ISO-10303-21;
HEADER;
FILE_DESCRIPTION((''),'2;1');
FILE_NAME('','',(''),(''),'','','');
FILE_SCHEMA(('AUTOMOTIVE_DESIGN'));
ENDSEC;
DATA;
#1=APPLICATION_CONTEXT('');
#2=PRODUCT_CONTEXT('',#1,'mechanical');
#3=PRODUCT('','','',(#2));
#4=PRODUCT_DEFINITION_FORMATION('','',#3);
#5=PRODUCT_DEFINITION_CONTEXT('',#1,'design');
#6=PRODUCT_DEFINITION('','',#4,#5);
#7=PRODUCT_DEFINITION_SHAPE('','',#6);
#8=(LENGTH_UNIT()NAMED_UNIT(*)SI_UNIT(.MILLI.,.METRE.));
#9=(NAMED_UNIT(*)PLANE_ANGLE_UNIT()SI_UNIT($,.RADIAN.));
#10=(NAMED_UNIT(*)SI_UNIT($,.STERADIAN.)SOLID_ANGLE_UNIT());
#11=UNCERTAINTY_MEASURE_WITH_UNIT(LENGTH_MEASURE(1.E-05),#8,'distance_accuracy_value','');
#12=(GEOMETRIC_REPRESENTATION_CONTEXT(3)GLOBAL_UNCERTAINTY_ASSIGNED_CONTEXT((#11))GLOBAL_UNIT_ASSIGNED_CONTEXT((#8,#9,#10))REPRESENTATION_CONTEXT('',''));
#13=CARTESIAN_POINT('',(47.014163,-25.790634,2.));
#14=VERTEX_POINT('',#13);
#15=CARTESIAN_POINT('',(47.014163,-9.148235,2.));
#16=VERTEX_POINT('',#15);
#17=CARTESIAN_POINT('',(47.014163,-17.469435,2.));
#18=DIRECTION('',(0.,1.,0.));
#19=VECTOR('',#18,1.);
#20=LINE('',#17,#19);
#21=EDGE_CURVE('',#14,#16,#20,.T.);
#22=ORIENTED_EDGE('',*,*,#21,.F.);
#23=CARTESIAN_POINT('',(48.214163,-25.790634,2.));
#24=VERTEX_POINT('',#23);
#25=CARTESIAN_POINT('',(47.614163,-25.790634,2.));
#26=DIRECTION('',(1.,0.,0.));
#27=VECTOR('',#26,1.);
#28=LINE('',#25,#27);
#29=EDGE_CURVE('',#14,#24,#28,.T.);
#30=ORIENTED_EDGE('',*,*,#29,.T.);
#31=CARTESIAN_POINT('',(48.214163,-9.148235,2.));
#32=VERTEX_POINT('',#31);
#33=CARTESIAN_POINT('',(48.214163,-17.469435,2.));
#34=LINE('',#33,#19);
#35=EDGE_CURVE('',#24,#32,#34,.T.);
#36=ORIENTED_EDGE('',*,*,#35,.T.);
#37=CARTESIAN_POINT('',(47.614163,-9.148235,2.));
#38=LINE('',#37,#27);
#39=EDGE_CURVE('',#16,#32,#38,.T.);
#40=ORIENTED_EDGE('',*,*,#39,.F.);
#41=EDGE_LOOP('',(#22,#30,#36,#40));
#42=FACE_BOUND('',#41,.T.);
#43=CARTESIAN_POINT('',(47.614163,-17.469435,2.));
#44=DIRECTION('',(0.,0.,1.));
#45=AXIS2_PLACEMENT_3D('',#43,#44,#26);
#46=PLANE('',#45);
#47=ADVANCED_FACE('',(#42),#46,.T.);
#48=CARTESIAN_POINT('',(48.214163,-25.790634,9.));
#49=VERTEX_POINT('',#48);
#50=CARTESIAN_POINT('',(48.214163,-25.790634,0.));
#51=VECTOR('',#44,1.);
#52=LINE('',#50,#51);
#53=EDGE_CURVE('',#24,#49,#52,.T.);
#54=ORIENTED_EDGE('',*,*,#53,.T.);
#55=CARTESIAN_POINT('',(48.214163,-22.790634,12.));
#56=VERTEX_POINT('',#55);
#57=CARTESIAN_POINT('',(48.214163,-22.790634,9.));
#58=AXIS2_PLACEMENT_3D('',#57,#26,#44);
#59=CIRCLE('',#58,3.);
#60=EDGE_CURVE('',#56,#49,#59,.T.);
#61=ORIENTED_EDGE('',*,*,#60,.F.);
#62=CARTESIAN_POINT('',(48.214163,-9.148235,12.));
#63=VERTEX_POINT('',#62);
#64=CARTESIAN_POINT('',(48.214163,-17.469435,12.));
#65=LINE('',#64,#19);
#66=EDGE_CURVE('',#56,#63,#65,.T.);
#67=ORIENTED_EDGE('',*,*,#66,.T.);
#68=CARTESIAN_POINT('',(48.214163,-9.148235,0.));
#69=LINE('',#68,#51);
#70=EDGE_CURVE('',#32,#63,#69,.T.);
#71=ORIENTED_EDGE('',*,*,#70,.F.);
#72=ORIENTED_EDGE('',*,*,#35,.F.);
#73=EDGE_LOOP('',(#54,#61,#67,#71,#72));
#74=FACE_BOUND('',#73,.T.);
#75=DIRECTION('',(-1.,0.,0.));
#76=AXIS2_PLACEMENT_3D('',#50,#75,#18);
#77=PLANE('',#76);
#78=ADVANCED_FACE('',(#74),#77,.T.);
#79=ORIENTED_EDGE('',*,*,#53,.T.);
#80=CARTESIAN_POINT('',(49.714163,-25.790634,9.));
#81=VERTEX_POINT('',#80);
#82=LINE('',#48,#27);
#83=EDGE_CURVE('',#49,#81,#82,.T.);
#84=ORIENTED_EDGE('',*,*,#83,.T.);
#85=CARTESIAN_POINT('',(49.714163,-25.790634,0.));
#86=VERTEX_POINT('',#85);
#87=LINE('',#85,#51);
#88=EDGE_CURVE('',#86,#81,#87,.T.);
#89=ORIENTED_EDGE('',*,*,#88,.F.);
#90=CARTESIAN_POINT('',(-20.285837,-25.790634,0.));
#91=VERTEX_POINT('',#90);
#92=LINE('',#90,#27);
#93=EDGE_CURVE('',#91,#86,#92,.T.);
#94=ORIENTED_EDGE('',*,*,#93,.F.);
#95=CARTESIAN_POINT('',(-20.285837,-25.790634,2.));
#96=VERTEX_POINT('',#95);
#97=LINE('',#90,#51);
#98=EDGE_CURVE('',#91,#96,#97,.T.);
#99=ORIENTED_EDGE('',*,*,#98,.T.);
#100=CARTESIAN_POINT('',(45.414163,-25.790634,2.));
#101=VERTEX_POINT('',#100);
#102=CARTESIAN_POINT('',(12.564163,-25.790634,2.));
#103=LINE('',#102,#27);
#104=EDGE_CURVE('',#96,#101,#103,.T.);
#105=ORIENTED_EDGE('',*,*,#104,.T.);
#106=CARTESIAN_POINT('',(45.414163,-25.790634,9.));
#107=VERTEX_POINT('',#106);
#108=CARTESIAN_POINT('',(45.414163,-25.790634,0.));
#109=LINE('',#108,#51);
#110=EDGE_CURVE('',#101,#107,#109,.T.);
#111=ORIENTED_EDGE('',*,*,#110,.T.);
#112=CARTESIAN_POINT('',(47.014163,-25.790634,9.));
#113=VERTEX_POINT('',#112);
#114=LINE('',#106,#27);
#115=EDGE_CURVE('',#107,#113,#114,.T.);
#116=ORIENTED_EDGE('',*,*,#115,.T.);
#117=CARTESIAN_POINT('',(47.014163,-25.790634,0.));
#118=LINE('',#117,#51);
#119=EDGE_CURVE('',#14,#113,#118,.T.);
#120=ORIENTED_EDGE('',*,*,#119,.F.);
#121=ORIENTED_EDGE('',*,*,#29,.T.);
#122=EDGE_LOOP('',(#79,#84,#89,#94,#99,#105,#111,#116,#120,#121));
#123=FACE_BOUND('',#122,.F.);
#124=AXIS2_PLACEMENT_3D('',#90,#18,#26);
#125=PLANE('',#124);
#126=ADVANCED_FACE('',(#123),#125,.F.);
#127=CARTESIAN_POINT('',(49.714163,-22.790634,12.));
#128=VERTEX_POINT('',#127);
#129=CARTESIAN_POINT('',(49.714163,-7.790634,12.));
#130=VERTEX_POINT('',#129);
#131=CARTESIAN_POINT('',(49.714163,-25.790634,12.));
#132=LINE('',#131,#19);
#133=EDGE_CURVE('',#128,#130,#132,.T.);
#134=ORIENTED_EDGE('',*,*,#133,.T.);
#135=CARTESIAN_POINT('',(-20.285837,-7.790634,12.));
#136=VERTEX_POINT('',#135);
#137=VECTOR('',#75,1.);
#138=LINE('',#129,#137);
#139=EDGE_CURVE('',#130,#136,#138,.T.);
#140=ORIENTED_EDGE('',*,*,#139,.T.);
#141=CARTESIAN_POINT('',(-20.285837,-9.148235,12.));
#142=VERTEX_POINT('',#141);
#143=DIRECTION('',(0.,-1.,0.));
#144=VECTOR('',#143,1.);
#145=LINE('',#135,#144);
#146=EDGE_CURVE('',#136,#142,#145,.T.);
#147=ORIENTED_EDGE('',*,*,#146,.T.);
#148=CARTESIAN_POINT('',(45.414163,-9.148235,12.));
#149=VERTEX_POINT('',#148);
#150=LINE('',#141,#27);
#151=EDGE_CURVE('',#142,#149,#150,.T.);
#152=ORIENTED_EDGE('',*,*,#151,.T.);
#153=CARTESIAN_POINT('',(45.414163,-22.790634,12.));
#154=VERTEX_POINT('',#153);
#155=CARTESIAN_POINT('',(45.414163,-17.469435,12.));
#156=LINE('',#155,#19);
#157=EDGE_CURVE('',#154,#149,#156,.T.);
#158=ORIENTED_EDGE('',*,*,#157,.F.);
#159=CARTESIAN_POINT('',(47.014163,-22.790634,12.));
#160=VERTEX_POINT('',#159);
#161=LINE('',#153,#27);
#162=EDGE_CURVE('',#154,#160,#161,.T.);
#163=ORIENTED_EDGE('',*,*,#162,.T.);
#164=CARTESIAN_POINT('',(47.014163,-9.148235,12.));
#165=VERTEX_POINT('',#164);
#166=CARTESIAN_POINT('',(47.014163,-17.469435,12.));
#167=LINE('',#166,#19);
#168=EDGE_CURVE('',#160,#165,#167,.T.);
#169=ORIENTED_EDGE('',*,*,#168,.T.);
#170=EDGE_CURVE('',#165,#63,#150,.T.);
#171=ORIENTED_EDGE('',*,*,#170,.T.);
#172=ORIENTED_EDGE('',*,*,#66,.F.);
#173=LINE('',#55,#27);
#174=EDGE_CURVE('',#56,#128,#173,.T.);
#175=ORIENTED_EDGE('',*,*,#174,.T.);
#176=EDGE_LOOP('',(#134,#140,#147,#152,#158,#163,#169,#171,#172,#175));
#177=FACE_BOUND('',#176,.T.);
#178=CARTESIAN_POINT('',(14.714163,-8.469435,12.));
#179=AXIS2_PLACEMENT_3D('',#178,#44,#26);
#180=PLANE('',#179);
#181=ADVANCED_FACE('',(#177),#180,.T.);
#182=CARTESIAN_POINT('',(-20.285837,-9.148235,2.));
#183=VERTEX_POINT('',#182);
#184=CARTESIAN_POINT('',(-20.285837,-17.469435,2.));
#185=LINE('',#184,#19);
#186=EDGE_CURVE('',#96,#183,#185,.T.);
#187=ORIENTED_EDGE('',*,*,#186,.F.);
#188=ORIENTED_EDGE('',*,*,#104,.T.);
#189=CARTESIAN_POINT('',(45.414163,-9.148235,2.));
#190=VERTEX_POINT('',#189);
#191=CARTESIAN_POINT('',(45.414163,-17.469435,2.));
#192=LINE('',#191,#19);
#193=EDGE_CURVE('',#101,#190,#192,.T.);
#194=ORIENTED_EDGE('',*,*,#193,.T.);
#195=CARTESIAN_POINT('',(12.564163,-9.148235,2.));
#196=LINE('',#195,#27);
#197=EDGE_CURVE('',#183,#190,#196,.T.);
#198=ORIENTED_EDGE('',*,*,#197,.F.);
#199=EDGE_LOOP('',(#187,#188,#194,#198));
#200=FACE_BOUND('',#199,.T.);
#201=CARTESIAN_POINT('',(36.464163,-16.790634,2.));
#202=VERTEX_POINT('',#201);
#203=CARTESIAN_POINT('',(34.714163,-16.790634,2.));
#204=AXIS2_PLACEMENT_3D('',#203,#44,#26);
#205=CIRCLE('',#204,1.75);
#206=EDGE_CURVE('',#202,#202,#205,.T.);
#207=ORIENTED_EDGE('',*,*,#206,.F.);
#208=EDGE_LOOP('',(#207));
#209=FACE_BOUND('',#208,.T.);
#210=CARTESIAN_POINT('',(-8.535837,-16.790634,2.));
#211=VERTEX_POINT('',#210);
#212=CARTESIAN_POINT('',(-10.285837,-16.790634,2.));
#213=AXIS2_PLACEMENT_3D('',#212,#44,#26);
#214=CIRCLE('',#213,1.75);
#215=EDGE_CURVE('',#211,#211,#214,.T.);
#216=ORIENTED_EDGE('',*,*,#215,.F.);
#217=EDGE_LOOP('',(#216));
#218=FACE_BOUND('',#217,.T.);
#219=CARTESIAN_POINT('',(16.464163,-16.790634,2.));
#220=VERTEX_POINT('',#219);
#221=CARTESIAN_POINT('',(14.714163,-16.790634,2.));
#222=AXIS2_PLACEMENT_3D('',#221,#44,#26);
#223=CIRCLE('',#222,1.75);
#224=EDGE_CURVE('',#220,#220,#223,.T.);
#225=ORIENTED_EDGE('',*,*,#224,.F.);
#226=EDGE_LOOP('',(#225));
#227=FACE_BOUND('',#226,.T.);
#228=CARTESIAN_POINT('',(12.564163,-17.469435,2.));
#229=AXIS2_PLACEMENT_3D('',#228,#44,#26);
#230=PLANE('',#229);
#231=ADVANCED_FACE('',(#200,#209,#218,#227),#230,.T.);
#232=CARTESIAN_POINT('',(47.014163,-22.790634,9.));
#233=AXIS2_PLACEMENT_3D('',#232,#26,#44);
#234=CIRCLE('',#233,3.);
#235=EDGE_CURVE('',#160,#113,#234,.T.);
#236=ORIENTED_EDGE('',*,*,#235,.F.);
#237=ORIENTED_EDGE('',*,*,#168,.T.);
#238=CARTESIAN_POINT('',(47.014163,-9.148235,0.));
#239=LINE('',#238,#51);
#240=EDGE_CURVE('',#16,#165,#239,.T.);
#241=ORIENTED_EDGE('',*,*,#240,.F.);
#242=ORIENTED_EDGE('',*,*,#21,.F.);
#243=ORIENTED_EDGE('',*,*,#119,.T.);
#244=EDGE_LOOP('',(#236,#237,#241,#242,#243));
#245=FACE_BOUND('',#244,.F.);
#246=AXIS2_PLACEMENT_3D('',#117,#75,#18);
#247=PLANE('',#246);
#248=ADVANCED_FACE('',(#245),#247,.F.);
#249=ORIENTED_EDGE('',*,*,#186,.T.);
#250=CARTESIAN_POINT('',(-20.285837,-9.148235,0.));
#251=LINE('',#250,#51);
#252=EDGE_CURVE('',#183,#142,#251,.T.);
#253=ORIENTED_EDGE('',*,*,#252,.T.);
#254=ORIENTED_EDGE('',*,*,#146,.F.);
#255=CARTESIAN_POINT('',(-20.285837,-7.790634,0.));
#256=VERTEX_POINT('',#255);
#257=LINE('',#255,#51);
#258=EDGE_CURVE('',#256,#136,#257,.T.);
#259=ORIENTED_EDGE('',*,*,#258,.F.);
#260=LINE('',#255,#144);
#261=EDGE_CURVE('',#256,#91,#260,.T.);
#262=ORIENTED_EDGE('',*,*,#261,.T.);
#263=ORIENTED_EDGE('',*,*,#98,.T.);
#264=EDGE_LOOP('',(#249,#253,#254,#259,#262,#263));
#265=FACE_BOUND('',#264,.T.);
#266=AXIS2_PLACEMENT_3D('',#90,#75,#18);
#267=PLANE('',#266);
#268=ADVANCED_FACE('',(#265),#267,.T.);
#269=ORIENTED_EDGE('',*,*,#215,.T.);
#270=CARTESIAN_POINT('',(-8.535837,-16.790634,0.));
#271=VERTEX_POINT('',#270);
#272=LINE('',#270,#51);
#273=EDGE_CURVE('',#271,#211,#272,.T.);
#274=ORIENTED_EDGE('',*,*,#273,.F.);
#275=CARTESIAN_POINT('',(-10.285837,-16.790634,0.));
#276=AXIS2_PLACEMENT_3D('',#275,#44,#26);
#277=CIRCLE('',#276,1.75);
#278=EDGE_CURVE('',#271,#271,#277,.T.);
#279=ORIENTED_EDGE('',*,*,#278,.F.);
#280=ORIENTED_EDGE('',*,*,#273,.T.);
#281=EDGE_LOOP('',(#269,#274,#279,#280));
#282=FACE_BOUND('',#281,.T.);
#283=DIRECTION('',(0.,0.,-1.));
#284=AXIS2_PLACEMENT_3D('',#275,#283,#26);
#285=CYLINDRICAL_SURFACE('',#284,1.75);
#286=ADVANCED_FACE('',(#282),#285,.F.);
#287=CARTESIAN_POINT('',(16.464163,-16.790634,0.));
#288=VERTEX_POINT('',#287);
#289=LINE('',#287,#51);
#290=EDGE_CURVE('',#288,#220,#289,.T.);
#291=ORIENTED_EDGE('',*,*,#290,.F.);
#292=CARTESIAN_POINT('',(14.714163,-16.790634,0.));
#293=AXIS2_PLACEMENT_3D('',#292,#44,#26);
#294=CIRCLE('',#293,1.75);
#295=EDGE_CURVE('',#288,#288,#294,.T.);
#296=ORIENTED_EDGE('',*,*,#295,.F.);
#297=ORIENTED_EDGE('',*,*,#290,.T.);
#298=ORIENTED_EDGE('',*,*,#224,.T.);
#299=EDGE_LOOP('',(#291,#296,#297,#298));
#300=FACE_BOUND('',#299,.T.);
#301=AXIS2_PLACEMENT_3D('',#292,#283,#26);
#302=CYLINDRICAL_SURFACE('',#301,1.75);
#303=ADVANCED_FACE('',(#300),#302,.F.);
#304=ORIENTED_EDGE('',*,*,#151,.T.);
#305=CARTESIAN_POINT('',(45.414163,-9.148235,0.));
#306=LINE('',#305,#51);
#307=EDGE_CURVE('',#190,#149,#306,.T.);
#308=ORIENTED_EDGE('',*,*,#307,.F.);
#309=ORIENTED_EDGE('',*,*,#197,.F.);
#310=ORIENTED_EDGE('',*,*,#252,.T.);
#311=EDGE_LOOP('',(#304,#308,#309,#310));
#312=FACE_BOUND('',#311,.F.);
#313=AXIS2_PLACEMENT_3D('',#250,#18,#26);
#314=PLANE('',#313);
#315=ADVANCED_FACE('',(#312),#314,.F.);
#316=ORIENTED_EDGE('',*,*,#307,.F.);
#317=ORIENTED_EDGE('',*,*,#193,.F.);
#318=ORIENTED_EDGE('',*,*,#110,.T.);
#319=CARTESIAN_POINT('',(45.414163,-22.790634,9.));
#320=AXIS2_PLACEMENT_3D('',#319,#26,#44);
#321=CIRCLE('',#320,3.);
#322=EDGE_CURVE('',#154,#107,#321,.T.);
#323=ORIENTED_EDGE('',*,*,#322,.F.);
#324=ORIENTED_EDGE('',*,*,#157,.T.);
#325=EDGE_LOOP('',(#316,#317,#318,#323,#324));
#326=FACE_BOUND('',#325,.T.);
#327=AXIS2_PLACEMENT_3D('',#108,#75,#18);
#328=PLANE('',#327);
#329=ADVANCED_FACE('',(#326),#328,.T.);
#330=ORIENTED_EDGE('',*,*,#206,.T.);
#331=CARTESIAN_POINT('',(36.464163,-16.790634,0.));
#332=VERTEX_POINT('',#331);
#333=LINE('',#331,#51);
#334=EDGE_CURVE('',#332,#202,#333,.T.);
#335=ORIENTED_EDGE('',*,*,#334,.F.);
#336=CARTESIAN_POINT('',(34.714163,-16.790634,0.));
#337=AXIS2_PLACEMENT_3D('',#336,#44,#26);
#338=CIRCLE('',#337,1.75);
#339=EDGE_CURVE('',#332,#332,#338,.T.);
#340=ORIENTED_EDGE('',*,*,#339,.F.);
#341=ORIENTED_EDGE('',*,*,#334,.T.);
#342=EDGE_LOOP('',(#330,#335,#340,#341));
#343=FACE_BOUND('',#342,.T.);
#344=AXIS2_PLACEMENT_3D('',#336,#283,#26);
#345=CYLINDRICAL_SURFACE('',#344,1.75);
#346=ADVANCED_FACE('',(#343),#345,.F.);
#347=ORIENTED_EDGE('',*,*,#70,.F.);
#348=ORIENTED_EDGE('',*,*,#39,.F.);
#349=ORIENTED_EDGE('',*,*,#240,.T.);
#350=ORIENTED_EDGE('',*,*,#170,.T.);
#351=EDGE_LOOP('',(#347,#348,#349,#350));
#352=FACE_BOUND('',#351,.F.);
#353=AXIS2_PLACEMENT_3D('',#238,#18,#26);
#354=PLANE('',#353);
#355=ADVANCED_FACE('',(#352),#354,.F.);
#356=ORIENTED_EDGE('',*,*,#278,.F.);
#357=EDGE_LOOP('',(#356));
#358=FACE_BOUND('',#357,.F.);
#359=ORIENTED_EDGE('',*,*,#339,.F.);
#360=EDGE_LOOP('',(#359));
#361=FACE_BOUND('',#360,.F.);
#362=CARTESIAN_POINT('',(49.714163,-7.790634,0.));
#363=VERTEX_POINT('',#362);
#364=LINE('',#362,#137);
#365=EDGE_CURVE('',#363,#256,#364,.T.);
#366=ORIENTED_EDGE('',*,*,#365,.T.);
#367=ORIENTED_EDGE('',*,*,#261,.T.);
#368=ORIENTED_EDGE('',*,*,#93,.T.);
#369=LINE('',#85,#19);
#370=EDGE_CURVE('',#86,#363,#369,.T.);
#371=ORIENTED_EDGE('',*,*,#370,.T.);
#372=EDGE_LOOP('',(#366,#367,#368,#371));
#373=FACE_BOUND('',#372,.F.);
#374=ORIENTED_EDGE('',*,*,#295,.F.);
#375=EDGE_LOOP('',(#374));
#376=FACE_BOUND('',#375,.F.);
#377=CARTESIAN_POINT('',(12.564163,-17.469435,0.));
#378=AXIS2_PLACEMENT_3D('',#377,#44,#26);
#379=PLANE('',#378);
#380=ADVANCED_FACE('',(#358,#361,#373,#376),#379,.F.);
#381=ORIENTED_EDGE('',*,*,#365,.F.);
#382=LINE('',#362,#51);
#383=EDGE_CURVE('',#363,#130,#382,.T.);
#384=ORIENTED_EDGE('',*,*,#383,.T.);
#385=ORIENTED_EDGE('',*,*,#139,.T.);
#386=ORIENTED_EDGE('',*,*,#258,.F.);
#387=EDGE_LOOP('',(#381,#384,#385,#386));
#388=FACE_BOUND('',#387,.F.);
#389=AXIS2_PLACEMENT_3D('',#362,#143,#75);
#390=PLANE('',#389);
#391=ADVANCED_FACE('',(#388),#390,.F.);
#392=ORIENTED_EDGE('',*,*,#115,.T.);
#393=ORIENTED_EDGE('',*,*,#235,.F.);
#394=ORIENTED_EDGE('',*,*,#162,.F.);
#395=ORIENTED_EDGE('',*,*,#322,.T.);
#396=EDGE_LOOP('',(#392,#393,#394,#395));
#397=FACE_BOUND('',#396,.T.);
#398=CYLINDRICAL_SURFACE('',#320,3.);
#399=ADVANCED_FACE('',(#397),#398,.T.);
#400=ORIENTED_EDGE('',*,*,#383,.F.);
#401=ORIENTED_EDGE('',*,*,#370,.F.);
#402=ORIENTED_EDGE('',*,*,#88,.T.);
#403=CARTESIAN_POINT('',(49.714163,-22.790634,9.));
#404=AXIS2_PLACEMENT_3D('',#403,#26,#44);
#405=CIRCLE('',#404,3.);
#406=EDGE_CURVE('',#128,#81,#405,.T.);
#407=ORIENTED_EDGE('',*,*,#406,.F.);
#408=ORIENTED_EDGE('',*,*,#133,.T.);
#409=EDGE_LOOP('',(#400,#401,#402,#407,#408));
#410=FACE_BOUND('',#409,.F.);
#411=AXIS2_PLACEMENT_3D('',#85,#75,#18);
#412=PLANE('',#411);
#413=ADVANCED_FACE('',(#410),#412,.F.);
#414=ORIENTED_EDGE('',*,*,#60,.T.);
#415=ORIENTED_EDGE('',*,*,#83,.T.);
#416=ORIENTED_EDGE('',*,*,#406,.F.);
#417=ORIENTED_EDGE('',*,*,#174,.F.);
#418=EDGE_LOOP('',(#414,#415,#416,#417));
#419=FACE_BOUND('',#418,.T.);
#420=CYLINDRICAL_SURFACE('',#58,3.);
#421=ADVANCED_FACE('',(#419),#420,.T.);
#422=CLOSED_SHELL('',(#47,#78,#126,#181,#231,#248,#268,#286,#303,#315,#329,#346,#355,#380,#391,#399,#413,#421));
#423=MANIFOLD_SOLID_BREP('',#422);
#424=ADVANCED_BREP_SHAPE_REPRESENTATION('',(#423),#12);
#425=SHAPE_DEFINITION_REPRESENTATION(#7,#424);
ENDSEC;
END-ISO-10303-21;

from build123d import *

# Parameters (mm, degrees)
F0_W     = 1.5
F0_H     = 16.642398566
F0_W_2   = 1.6
F1_DEPTH = 12
F0_W_3   = 65.7
F0_R     = 1.75
F0_W_4   = 1.2
F2_DEPTH = 2
F3_R     = 3


with BuildPart() as f1:
    # F0 (on Top) → F1 (new body)
    with BuildSketch(Plane.XY):
        Polygon((49.7141629457, -7.7906338274), (-20.2858370543, -7.7906338274), (-20.2858370543, -9.1482352614), (45.4141629457, -9.1482352614), (47.0141629457, -9.1482352614), (48.2141629457, -9.1482352614), (49.7141629457, -9.1482352614), align=None)
        with Locations((48.9641629457, -17.4694345444)):
            Rectangle(F0_W, F0_H)
        with Locations((46.2141629457, -17.4694345444)):
            Rectangle(F0_W_2, F0_H)
    extrude(amount=F1_DEPTH)

    # F0 (on Top) → F2 (join)
    with BuildSketch(Plane.XY):
        with Locations((12.5641629457, -17.4694345444)):
            Rectangle(F0_W_3, F0_H)
        with Locations((-10.2858370543, -16.7906338274)):
            Circle(F0_R, mode=Mode.SUBTRACT)
        with Locations((14.7141629457, -16.7906338274)):
            Circle(F0_R, mode=Mode.SUBTRACT)
        with Locations((34.7141629457, -16.7906338274)):
            Circle(F0_R, mode=Mode.SUBTRACT)
        with Locations((47.6141629457, -17.4694345444)):
            Rectangle(F0_W_4, F0_H)
    extrude(amount=F2_DEPTH)

    # F3
    f3_edges = [f1.edges().sort_by_distance(p)[0] for p in [
        (48.964163, -25.790634, 12),
        (46.214163, -25.790634, 12),
    ]]
    fillet(f3_edges, radius=F3_R)


solid = f1.part
